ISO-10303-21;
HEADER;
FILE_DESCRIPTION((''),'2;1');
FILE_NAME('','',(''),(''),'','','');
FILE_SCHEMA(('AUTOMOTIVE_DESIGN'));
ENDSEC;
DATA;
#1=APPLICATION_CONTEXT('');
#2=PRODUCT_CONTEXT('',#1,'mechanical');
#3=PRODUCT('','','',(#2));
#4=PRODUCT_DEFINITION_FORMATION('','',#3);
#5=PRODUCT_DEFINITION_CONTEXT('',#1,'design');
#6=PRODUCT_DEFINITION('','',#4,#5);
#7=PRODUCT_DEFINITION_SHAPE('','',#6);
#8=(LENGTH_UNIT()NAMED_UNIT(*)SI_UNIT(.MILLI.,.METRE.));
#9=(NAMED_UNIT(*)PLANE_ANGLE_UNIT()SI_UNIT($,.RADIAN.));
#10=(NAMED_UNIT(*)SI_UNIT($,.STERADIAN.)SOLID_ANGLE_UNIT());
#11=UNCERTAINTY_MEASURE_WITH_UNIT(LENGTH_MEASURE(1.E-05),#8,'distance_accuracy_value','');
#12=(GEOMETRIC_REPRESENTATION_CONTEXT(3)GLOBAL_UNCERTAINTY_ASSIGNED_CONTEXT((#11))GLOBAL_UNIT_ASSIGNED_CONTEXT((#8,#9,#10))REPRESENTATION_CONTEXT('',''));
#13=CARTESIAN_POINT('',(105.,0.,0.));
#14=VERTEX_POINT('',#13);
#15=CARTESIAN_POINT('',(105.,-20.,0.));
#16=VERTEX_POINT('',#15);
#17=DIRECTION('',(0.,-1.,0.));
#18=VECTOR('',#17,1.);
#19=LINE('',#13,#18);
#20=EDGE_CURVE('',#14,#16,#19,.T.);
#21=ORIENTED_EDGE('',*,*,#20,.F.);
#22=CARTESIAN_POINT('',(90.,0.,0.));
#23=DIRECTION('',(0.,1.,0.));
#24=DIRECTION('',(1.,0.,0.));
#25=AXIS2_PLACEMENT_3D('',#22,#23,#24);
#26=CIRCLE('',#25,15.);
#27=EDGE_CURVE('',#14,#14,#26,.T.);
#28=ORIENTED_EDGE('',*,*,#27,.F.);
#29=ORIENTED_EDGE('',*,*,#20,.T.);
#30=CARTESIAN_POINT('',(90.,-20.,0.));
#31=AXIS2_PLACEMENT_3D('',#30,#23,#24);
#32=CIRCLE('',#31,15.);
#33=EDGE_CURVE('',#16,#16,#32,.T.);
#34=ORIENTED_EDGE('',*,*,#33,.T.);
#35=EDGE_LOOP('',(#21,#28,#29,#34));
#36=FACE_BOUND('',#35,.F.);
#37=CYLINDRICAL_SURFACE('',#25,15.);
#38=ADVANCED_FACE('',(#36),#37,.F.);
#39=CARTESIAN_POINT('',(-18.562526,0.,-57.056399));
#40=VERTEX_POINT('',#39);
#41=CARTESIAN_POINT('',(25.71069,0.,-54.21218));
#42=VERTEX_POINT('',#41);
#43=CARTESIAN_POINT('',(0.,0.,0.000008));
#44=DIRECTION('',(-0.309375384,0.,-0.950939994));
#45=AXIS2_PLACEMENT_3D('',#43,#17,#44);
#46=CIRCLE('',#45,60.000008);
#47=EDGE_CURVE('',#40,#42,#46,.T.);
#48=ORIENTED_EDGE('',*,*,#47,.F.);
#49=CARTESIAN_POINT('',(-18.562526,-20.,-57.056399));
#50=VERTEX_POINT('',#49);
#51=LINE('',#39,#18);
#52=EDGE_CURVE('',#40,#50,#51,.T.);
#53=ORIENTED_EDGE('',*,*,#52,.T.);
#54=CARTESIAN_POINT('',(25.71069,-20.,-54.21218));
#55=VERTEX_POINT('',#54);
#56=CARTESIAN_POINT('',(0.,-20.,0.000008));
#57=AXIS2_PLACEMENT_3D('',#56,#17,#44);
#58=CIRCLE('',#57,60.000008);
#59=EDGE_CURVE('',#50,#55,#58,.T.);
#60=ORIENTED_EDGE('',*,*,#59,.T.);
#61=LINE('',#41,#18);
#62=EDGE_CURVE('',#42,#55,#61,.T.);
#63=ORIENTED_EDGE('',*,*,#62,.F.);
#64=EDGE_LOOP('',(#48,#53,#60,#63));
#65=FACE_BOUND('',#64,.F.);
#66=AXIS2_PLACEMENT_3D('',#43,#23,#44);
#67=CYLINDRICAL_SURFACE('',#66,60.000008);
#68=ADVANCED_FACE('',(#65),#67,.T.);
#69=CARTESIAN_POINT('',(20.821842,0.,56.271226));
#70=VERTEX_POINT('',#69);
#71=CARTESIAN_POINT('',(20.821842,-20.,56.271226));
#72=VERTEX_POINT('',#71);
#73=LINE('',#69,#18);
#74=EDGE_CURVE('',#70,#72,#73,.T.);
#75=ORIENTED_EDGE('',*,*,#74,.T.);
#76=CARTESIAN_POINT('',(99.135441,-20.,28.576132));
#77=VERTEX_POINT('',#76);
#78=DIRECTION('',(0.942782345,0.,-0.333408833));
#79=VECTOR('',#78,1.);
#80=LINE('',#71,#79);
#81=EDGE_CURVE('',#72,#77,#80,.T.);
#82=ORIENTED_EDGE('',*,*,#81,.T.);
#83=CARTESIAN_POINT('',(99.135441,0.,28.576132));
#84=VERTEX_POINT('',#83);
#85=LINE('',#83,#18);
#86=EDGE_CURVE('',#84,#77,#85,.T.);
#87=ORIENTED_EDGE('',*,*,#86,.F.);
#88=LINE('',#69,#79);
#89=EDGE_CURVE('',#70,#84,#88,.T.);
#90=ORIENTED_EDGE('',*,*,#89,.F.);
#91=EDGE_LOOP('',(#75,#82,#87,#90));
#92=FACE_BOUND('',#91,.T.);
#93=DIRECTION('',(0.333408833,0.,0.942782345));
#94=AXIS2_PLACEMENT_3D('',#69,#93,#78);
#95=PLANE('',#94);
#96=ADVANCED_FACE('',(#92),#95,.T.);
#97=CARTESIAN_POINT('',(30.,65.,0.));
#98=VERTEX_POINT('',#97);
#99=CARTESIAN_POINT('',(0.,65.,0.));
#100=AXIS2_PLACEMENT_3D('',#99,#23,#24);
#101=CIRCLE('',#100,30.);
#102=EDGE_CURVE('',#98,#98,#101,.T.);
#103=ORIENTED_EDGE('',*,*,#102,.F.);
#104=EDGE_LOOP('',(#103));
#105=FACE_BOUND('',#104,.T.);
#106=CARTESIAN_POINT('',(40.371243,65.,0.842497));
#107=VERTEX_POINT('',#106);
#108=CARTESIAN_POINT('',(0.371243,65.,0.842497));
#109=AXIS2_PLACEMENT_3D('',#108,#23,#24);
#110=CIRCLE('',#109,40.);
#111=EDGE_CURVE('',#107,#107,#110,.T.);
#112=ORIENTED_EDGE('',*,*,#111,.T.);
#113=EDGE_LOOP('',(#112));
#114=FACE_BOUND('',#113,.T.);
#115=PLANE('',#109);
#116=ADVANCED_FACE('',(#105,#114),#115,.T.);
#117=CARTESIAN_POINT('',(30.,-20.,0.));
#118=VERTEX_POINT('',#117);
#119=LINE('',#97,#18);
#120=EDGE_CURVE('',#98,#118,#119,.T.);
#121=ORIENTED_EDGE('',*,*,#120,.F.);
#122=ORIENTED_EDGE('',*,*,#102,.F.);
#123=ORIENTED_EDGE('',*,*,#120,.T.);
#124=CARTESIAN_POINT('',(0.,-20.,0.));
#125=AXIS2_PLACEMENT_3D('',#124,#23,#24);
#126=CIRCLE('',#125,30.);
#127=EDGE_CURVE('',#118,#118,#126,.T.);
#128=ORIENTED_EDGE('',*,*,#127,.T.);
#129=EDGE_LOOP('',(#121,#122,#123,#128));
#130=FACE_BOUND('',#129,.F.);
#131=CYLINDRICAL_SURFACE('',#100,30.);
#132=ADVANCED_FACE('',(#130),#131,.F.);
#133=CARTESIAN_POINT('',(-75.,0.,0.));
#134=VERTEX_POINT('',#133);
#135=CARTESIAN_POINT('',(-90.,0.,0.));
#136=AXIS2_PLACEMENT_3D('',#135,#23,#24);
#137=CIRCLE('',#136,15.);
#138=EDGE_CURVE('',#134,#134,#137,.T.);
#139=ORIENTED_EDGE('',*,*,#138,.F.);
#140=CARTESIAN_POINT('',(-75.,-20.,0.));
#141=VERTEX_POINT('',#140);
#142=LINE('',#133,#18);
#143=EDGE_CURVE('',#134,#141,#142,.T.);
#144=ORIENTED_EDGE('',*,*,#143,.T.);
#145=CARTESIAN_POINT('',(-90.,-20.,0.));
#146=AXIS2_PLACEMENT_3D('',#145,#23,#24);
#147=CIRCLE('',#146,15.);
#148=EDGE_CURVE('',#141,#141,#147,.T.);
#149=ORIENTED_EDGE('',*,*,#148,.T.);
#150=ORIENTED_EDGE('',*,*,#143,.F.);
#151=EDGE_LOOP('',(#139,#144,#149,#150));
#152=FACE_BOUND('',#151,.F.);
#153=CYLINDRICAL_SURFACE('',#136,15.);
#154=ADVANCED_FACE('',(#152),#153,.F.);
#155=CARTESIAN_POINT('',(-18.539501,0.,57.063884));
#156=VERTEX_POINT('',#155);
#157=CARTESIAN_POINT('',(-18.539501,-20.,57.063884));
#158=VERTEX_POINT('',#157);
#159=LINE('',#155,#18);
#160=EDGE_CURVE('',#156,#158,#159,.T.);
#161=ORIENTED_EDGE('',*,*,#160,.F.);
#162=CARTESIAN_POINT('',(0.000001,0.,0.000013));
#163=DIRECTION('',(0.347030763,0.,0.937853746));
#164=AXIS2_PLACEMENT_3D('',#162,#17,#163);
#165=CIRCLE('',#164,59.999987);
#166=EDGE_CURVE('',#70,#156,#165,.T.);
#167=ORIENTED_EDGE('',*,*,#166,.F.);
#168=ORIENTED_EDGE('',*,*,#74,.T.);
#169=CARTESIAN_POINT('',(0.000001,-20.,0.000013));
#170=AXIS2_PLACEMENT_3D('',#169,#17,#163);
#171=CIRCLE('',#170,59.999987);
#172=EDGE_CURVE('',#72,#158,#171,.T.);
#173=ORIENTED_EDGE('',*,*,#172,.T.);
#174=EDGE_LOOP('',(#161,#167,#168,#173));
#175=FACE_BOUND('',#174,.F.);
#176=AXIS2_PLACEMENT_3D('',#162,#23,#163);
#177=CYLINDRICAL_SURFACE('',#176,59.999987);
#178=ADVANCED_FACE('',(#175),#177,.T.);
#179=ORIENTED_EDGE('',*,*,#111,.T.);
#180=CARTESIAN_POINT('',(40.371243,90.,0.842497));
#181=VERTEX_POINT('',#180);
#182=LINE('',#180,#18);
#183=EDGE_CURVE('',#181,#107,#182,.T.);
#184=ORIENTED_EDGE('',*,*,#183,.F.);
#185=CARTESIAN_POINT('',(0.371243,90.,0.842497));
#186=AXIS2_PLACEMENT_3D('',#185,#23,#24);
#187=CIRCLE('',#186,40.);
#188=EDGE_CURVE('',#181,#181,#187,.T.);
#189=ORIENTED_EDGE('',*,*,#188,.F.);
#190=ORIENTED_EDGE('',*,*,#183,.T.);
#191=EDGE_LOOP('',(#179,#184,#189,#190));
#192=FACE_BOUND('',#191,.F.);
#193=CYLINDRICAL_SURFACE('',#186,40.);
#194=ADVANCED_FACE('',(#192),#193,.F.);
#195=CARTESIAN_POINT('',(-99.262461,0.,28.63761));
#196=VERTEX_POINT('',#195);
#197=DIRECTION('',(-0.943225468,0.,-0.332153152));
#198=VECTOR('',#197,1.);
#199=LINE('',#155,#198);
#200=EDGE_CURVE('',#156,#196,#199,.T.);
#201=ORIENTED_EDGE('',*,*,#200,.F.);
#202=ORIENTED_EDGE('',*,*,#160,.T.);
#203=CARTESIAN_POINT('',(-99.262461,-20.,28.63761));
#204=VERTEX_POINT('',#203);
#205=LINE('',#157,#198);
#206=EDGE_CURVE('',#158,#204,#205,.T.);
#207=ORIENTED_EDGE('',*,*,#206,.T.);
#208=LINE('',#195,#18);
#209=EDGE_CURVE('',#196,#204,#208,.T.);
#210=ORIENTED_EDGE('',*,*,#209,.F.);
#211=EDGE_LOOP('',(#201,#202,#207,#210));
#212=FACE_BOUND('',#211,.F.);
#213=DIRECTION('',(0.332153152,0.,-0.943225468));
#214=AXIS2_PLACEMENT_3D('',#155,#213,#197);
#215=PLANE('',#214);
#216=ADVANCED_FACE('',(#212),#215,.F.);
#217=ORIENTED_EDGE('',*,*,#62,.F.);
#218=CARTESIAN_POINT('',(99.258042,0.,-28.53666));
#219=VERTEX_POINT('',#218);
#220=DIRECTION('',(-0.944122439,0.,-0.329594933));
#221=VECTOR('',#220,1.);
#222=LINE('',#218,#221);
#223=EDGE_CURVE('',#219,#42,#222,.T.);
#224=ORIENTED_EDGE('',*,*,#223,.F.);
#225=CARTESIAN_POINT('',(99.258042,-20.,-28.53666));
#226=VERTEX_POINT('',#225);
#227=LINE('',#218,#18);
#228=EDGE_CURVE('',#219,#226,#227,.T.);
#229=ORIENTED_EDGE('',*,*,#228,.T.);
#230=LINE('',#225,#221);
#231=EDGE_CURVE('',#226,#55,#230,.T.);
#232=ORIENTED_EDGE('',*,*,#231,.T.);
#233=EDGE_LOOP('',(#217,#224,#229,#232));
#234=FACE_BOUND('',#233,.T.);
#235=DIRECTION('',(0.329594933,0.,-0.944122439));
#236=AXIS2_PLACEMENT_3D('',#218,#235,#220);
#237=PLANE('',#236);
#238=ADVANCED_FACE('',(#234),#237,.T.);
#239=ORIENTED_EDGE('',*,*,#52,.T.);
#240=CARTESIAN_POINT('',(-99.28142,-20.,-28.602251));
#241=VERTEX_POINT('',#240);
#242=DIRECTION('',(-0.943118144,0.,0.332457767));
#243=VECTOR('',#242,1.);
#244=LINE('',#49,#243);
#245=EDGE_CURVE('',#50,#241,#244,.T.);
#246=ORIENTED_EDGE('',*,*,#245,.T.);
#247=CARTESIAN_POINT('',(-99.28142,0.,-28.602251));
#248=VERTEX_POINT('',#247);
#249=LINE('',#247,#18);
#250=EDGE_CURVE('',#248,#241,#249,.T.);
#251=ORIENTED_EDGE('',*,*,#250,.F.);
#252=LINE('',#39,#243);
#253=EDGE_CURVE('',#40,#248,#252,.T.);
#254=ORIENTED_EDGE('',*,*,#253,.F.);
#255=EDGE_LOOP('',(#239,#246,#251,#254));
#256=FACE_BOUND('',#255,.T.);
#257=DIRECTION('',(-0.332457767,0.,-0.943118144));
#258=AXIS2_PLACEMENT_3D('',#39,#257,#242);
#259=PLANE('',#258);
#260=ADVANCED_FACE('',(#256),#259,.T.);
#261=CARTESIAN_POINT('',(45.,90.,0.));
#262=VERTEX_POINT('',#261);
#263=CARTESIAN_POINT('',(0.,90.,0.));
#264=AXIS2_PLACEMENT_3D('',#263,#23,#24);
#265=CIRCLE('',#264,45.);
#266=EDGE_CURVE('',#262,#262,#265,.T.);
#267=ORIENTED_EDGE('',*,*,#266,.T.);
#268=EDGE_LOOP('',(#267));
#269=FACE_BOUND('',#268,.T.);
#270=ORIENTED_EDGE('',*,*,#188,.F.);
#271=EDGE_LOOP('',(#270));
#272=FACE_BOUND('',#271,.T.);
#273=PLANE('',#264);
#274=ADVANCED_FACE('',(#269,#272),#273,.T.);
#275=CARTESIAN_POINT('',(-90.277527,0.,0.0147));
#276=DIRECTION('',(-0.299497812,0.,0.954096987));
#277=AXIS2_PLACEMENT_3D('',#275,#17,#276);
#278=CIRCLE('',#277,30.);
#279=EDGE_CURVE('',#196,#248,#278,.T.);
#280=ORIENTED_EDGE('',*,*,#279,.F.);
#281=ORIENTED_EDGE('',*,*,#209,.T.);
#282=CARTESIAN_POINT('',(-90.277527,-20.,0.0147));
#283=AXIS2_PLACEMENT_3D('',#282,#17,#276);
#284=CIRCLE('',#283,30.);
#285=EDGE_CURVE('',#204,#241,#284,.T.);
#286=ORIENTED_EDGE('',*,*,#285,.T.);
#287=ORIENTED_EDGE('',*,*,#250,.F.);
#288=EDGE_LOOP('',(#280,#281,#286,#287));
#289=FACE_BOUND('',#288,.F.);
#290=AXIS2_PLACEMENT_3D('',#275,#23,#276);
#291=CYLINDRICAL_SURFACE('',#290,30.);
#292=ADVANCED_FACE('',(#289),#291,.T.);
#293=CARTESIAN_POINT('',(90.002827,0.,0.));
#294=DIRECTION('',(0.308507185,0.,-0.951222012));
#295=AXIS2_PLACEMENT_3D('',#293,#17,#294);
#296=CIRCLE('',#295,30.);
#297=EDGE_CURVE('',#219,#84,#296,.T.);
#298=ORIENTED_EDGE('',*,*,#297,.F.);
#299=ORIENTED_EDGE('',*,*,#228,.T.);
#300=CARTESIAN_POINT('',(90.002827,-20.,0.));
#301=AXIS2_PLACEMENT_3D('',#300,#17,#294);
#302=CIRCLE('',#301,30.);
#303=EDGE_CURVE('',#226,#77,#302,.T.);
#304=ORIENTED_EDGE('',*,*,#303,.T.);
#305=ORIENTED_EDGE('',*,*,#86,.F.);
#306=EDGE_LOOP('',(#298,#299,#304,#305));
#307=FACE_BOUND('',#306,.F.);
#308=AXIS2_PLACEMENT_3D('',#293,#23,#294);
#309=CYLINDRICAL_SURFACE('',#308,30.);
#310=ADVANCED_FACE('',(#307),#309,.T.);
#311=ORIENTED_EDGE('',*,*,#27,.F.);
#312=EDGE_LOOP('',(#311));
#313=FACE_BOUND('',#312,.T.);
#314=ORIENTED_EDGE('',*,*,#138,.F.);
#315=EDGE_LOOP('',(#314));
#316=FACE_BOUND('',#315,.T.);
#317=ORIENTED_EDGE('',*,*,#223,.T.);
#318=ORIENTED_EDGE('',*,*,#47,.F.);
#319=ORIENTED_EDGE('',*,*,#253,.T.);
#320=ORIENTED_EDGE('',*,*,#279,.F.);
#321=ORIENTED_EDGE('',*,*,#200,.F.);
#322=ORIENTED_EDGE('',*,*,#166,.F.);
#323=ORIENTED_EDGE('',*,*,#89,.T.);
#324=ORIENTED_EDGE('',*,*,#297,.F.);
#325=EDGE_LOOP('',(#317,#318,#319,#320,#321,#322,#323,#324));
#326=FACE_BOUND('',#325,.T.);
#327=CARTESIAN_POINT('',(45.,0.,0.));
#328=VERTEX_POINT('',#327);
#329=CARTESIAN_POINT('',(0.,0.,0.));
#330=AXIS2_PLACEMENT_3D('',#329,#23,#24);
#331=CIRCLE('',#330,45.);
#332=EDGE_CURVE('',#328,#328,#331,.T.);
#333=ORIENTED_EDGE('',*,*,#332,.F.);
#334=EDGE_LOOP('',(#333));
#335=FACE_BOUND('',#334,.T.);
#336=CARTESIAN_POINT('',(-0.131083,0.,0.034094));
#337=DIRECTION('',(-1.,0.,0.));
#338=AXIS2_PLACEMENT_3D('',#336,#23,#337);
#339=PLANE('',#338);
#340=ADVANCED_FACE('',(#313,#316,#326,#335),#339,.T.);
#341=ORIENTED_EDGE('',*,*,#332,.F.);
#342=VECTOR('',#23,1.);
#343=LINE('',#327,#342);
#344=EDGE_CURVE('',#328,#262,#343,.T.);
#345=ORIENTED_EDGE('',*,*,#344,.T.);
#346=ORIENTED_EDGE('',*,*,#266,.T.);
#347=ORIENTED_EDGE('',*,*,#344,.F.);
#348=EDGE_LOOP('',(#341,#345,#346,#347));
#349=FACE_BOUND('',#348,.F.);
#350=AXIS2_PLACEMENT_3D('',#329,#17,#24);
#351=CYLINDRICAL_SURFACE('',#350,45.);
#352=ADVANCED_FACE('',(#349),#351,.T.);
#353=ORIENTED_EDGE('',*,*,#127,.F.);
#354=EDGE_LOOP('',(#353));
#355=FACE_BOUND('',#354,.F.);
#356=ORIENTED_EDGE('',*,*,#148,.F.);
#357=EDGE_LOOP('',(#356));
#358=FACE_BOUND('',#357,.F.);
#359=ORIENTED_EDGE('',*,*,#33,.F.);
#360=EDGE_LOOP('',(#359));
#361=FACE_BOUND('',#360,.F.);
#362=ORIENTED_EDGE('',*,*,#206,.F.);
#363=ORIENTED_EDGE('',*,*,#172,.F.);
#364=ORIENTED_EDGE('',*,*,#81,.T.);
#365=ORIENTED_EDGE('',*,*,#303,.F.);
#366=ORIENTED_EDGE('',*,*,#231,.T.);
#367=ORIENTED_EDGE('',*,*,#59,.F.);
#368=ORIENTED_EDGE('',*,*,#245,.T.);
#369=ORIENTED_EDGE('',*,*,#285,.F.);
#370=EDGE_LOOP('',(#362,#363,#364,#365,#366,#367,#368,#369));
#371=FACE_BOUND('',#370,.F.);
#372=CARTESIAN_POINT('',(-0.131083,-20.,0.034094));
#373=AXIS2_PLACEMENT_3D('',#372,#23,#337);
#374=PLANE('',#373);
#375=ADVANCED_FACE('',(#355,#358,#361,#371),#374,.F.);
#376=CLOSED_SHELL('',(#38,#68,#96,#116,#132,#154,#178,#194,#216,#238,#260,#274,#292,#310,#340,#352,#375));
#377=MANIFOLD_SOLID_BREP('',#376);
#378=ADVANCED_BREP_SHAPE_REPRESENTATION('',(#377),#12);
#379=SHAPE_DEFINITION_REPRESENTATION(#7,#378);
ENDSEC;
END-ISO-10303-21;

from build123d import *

# Parameters (mm, degrees)
PAD_DEPTH       = 20
SKETCH002_R     = 15
POCKET001_DEPTH = 20
SKETCH003_R     = 15
POCKET002_DEPTH = 20
SKETCH_R        = 45
PAD001_DEPTH    = 90
SKETCH004_R     = 40
POCKET_DEPTH    = 25
SKETCH005_R     = 30
POCKET003_DEPTH = 110


with BuildPart() as part:
    # Sketch001 → Pad (new body)
    with BuildSketch(Plane.XZ):
        with BuildLine():
            Line((20.821842, 56.271226), (99.135441, 28.576132))
            ThreePointArc((99.258042, -28.53666), (120.002757, 0.064399), (99.135441, 28.576132))
            Line((99.258042, -28.53666), (25.71069, -54.21218))
            ThreePointArc((-18.562526, -57.056399), (3.846616, -59.876569), (25.71069, -54.21218))
            Line((-18.562526, -57.056399), (-99.28142, -28.602251))
            ThreePointArc((-99.262461, 28.63761), (-120.277525, 0.024636), (-99.28142, -28.602251))
            Line((-18.539501, 57.063884), (-99.262461, 28.63761))
            ThreePointArc((20.821842, 56.271226), (1.208034, 59.987838), (-18.539501, 57.063884))
        make_face()
    extrude(amount=PAD_DEPTH)

    # Sketch002 → Pocket001 (cut)
    with BuildSketch(Plane(origin=(0, 0, 0), x_dir=(1, 0, 0), z_dir=(0, 1, 0))):
        with Locations((-90, 0)):
            Circle(SKETCH002_R)
    extrude(amount=-POCKET001_DEPTH, mode=Mode.SUBTRACT)

    # Sketch003 (on Face4 of Pocket001) → Pocket002 (cut)
    with BuildSketch(Plane(origin=(0, 0, 0), x_dir=(1, 0, 0), z_dir=(0, 1, 0))):
        with Locations((90, 0)):
            Circle(SKETCH003_R)
    extrude(amount=-POCKET002_DEPTH, mode=Mode.SUBTRACT)

    # Sketch (on Face9 of Pad) → Pad001 (join)
    with BuildSketch(Plane(origin=(0, 0, 0), x_dir=(1, 0, 0), z_dir=(0, 1, 0))):
        Circle(SKETCH_R)
    extrude(amount=PAD001_DEPTH)

    # Sketch004 (on Face14 of Pad001) → Pocket (cut)
    with BuildSketch(Plane(origin=(0, 90, 0), x_dir=(1, 0, 0), z_dir=(0, 1, 0))):
        with Locations((0.371243, -0.842497)):
            Circle(SKETCH004_R)
    extrude(amount=-POCKET_DEPTH, mode=Mode.SUBTRACT)

    # Sketch005 (on Face16 of Pocket) → Pocket003 (cut)
    with BuildSketch(Plane(origin=(0, 65, 0), x_dir=(1, 0, 0), z_dir=(0, 1, 0))):
        Circle(SKETCH005_R)
    extrude(amount=-POCKET003_DEPTH, mode=Mode.SUBTRACT)


solid = part.part
